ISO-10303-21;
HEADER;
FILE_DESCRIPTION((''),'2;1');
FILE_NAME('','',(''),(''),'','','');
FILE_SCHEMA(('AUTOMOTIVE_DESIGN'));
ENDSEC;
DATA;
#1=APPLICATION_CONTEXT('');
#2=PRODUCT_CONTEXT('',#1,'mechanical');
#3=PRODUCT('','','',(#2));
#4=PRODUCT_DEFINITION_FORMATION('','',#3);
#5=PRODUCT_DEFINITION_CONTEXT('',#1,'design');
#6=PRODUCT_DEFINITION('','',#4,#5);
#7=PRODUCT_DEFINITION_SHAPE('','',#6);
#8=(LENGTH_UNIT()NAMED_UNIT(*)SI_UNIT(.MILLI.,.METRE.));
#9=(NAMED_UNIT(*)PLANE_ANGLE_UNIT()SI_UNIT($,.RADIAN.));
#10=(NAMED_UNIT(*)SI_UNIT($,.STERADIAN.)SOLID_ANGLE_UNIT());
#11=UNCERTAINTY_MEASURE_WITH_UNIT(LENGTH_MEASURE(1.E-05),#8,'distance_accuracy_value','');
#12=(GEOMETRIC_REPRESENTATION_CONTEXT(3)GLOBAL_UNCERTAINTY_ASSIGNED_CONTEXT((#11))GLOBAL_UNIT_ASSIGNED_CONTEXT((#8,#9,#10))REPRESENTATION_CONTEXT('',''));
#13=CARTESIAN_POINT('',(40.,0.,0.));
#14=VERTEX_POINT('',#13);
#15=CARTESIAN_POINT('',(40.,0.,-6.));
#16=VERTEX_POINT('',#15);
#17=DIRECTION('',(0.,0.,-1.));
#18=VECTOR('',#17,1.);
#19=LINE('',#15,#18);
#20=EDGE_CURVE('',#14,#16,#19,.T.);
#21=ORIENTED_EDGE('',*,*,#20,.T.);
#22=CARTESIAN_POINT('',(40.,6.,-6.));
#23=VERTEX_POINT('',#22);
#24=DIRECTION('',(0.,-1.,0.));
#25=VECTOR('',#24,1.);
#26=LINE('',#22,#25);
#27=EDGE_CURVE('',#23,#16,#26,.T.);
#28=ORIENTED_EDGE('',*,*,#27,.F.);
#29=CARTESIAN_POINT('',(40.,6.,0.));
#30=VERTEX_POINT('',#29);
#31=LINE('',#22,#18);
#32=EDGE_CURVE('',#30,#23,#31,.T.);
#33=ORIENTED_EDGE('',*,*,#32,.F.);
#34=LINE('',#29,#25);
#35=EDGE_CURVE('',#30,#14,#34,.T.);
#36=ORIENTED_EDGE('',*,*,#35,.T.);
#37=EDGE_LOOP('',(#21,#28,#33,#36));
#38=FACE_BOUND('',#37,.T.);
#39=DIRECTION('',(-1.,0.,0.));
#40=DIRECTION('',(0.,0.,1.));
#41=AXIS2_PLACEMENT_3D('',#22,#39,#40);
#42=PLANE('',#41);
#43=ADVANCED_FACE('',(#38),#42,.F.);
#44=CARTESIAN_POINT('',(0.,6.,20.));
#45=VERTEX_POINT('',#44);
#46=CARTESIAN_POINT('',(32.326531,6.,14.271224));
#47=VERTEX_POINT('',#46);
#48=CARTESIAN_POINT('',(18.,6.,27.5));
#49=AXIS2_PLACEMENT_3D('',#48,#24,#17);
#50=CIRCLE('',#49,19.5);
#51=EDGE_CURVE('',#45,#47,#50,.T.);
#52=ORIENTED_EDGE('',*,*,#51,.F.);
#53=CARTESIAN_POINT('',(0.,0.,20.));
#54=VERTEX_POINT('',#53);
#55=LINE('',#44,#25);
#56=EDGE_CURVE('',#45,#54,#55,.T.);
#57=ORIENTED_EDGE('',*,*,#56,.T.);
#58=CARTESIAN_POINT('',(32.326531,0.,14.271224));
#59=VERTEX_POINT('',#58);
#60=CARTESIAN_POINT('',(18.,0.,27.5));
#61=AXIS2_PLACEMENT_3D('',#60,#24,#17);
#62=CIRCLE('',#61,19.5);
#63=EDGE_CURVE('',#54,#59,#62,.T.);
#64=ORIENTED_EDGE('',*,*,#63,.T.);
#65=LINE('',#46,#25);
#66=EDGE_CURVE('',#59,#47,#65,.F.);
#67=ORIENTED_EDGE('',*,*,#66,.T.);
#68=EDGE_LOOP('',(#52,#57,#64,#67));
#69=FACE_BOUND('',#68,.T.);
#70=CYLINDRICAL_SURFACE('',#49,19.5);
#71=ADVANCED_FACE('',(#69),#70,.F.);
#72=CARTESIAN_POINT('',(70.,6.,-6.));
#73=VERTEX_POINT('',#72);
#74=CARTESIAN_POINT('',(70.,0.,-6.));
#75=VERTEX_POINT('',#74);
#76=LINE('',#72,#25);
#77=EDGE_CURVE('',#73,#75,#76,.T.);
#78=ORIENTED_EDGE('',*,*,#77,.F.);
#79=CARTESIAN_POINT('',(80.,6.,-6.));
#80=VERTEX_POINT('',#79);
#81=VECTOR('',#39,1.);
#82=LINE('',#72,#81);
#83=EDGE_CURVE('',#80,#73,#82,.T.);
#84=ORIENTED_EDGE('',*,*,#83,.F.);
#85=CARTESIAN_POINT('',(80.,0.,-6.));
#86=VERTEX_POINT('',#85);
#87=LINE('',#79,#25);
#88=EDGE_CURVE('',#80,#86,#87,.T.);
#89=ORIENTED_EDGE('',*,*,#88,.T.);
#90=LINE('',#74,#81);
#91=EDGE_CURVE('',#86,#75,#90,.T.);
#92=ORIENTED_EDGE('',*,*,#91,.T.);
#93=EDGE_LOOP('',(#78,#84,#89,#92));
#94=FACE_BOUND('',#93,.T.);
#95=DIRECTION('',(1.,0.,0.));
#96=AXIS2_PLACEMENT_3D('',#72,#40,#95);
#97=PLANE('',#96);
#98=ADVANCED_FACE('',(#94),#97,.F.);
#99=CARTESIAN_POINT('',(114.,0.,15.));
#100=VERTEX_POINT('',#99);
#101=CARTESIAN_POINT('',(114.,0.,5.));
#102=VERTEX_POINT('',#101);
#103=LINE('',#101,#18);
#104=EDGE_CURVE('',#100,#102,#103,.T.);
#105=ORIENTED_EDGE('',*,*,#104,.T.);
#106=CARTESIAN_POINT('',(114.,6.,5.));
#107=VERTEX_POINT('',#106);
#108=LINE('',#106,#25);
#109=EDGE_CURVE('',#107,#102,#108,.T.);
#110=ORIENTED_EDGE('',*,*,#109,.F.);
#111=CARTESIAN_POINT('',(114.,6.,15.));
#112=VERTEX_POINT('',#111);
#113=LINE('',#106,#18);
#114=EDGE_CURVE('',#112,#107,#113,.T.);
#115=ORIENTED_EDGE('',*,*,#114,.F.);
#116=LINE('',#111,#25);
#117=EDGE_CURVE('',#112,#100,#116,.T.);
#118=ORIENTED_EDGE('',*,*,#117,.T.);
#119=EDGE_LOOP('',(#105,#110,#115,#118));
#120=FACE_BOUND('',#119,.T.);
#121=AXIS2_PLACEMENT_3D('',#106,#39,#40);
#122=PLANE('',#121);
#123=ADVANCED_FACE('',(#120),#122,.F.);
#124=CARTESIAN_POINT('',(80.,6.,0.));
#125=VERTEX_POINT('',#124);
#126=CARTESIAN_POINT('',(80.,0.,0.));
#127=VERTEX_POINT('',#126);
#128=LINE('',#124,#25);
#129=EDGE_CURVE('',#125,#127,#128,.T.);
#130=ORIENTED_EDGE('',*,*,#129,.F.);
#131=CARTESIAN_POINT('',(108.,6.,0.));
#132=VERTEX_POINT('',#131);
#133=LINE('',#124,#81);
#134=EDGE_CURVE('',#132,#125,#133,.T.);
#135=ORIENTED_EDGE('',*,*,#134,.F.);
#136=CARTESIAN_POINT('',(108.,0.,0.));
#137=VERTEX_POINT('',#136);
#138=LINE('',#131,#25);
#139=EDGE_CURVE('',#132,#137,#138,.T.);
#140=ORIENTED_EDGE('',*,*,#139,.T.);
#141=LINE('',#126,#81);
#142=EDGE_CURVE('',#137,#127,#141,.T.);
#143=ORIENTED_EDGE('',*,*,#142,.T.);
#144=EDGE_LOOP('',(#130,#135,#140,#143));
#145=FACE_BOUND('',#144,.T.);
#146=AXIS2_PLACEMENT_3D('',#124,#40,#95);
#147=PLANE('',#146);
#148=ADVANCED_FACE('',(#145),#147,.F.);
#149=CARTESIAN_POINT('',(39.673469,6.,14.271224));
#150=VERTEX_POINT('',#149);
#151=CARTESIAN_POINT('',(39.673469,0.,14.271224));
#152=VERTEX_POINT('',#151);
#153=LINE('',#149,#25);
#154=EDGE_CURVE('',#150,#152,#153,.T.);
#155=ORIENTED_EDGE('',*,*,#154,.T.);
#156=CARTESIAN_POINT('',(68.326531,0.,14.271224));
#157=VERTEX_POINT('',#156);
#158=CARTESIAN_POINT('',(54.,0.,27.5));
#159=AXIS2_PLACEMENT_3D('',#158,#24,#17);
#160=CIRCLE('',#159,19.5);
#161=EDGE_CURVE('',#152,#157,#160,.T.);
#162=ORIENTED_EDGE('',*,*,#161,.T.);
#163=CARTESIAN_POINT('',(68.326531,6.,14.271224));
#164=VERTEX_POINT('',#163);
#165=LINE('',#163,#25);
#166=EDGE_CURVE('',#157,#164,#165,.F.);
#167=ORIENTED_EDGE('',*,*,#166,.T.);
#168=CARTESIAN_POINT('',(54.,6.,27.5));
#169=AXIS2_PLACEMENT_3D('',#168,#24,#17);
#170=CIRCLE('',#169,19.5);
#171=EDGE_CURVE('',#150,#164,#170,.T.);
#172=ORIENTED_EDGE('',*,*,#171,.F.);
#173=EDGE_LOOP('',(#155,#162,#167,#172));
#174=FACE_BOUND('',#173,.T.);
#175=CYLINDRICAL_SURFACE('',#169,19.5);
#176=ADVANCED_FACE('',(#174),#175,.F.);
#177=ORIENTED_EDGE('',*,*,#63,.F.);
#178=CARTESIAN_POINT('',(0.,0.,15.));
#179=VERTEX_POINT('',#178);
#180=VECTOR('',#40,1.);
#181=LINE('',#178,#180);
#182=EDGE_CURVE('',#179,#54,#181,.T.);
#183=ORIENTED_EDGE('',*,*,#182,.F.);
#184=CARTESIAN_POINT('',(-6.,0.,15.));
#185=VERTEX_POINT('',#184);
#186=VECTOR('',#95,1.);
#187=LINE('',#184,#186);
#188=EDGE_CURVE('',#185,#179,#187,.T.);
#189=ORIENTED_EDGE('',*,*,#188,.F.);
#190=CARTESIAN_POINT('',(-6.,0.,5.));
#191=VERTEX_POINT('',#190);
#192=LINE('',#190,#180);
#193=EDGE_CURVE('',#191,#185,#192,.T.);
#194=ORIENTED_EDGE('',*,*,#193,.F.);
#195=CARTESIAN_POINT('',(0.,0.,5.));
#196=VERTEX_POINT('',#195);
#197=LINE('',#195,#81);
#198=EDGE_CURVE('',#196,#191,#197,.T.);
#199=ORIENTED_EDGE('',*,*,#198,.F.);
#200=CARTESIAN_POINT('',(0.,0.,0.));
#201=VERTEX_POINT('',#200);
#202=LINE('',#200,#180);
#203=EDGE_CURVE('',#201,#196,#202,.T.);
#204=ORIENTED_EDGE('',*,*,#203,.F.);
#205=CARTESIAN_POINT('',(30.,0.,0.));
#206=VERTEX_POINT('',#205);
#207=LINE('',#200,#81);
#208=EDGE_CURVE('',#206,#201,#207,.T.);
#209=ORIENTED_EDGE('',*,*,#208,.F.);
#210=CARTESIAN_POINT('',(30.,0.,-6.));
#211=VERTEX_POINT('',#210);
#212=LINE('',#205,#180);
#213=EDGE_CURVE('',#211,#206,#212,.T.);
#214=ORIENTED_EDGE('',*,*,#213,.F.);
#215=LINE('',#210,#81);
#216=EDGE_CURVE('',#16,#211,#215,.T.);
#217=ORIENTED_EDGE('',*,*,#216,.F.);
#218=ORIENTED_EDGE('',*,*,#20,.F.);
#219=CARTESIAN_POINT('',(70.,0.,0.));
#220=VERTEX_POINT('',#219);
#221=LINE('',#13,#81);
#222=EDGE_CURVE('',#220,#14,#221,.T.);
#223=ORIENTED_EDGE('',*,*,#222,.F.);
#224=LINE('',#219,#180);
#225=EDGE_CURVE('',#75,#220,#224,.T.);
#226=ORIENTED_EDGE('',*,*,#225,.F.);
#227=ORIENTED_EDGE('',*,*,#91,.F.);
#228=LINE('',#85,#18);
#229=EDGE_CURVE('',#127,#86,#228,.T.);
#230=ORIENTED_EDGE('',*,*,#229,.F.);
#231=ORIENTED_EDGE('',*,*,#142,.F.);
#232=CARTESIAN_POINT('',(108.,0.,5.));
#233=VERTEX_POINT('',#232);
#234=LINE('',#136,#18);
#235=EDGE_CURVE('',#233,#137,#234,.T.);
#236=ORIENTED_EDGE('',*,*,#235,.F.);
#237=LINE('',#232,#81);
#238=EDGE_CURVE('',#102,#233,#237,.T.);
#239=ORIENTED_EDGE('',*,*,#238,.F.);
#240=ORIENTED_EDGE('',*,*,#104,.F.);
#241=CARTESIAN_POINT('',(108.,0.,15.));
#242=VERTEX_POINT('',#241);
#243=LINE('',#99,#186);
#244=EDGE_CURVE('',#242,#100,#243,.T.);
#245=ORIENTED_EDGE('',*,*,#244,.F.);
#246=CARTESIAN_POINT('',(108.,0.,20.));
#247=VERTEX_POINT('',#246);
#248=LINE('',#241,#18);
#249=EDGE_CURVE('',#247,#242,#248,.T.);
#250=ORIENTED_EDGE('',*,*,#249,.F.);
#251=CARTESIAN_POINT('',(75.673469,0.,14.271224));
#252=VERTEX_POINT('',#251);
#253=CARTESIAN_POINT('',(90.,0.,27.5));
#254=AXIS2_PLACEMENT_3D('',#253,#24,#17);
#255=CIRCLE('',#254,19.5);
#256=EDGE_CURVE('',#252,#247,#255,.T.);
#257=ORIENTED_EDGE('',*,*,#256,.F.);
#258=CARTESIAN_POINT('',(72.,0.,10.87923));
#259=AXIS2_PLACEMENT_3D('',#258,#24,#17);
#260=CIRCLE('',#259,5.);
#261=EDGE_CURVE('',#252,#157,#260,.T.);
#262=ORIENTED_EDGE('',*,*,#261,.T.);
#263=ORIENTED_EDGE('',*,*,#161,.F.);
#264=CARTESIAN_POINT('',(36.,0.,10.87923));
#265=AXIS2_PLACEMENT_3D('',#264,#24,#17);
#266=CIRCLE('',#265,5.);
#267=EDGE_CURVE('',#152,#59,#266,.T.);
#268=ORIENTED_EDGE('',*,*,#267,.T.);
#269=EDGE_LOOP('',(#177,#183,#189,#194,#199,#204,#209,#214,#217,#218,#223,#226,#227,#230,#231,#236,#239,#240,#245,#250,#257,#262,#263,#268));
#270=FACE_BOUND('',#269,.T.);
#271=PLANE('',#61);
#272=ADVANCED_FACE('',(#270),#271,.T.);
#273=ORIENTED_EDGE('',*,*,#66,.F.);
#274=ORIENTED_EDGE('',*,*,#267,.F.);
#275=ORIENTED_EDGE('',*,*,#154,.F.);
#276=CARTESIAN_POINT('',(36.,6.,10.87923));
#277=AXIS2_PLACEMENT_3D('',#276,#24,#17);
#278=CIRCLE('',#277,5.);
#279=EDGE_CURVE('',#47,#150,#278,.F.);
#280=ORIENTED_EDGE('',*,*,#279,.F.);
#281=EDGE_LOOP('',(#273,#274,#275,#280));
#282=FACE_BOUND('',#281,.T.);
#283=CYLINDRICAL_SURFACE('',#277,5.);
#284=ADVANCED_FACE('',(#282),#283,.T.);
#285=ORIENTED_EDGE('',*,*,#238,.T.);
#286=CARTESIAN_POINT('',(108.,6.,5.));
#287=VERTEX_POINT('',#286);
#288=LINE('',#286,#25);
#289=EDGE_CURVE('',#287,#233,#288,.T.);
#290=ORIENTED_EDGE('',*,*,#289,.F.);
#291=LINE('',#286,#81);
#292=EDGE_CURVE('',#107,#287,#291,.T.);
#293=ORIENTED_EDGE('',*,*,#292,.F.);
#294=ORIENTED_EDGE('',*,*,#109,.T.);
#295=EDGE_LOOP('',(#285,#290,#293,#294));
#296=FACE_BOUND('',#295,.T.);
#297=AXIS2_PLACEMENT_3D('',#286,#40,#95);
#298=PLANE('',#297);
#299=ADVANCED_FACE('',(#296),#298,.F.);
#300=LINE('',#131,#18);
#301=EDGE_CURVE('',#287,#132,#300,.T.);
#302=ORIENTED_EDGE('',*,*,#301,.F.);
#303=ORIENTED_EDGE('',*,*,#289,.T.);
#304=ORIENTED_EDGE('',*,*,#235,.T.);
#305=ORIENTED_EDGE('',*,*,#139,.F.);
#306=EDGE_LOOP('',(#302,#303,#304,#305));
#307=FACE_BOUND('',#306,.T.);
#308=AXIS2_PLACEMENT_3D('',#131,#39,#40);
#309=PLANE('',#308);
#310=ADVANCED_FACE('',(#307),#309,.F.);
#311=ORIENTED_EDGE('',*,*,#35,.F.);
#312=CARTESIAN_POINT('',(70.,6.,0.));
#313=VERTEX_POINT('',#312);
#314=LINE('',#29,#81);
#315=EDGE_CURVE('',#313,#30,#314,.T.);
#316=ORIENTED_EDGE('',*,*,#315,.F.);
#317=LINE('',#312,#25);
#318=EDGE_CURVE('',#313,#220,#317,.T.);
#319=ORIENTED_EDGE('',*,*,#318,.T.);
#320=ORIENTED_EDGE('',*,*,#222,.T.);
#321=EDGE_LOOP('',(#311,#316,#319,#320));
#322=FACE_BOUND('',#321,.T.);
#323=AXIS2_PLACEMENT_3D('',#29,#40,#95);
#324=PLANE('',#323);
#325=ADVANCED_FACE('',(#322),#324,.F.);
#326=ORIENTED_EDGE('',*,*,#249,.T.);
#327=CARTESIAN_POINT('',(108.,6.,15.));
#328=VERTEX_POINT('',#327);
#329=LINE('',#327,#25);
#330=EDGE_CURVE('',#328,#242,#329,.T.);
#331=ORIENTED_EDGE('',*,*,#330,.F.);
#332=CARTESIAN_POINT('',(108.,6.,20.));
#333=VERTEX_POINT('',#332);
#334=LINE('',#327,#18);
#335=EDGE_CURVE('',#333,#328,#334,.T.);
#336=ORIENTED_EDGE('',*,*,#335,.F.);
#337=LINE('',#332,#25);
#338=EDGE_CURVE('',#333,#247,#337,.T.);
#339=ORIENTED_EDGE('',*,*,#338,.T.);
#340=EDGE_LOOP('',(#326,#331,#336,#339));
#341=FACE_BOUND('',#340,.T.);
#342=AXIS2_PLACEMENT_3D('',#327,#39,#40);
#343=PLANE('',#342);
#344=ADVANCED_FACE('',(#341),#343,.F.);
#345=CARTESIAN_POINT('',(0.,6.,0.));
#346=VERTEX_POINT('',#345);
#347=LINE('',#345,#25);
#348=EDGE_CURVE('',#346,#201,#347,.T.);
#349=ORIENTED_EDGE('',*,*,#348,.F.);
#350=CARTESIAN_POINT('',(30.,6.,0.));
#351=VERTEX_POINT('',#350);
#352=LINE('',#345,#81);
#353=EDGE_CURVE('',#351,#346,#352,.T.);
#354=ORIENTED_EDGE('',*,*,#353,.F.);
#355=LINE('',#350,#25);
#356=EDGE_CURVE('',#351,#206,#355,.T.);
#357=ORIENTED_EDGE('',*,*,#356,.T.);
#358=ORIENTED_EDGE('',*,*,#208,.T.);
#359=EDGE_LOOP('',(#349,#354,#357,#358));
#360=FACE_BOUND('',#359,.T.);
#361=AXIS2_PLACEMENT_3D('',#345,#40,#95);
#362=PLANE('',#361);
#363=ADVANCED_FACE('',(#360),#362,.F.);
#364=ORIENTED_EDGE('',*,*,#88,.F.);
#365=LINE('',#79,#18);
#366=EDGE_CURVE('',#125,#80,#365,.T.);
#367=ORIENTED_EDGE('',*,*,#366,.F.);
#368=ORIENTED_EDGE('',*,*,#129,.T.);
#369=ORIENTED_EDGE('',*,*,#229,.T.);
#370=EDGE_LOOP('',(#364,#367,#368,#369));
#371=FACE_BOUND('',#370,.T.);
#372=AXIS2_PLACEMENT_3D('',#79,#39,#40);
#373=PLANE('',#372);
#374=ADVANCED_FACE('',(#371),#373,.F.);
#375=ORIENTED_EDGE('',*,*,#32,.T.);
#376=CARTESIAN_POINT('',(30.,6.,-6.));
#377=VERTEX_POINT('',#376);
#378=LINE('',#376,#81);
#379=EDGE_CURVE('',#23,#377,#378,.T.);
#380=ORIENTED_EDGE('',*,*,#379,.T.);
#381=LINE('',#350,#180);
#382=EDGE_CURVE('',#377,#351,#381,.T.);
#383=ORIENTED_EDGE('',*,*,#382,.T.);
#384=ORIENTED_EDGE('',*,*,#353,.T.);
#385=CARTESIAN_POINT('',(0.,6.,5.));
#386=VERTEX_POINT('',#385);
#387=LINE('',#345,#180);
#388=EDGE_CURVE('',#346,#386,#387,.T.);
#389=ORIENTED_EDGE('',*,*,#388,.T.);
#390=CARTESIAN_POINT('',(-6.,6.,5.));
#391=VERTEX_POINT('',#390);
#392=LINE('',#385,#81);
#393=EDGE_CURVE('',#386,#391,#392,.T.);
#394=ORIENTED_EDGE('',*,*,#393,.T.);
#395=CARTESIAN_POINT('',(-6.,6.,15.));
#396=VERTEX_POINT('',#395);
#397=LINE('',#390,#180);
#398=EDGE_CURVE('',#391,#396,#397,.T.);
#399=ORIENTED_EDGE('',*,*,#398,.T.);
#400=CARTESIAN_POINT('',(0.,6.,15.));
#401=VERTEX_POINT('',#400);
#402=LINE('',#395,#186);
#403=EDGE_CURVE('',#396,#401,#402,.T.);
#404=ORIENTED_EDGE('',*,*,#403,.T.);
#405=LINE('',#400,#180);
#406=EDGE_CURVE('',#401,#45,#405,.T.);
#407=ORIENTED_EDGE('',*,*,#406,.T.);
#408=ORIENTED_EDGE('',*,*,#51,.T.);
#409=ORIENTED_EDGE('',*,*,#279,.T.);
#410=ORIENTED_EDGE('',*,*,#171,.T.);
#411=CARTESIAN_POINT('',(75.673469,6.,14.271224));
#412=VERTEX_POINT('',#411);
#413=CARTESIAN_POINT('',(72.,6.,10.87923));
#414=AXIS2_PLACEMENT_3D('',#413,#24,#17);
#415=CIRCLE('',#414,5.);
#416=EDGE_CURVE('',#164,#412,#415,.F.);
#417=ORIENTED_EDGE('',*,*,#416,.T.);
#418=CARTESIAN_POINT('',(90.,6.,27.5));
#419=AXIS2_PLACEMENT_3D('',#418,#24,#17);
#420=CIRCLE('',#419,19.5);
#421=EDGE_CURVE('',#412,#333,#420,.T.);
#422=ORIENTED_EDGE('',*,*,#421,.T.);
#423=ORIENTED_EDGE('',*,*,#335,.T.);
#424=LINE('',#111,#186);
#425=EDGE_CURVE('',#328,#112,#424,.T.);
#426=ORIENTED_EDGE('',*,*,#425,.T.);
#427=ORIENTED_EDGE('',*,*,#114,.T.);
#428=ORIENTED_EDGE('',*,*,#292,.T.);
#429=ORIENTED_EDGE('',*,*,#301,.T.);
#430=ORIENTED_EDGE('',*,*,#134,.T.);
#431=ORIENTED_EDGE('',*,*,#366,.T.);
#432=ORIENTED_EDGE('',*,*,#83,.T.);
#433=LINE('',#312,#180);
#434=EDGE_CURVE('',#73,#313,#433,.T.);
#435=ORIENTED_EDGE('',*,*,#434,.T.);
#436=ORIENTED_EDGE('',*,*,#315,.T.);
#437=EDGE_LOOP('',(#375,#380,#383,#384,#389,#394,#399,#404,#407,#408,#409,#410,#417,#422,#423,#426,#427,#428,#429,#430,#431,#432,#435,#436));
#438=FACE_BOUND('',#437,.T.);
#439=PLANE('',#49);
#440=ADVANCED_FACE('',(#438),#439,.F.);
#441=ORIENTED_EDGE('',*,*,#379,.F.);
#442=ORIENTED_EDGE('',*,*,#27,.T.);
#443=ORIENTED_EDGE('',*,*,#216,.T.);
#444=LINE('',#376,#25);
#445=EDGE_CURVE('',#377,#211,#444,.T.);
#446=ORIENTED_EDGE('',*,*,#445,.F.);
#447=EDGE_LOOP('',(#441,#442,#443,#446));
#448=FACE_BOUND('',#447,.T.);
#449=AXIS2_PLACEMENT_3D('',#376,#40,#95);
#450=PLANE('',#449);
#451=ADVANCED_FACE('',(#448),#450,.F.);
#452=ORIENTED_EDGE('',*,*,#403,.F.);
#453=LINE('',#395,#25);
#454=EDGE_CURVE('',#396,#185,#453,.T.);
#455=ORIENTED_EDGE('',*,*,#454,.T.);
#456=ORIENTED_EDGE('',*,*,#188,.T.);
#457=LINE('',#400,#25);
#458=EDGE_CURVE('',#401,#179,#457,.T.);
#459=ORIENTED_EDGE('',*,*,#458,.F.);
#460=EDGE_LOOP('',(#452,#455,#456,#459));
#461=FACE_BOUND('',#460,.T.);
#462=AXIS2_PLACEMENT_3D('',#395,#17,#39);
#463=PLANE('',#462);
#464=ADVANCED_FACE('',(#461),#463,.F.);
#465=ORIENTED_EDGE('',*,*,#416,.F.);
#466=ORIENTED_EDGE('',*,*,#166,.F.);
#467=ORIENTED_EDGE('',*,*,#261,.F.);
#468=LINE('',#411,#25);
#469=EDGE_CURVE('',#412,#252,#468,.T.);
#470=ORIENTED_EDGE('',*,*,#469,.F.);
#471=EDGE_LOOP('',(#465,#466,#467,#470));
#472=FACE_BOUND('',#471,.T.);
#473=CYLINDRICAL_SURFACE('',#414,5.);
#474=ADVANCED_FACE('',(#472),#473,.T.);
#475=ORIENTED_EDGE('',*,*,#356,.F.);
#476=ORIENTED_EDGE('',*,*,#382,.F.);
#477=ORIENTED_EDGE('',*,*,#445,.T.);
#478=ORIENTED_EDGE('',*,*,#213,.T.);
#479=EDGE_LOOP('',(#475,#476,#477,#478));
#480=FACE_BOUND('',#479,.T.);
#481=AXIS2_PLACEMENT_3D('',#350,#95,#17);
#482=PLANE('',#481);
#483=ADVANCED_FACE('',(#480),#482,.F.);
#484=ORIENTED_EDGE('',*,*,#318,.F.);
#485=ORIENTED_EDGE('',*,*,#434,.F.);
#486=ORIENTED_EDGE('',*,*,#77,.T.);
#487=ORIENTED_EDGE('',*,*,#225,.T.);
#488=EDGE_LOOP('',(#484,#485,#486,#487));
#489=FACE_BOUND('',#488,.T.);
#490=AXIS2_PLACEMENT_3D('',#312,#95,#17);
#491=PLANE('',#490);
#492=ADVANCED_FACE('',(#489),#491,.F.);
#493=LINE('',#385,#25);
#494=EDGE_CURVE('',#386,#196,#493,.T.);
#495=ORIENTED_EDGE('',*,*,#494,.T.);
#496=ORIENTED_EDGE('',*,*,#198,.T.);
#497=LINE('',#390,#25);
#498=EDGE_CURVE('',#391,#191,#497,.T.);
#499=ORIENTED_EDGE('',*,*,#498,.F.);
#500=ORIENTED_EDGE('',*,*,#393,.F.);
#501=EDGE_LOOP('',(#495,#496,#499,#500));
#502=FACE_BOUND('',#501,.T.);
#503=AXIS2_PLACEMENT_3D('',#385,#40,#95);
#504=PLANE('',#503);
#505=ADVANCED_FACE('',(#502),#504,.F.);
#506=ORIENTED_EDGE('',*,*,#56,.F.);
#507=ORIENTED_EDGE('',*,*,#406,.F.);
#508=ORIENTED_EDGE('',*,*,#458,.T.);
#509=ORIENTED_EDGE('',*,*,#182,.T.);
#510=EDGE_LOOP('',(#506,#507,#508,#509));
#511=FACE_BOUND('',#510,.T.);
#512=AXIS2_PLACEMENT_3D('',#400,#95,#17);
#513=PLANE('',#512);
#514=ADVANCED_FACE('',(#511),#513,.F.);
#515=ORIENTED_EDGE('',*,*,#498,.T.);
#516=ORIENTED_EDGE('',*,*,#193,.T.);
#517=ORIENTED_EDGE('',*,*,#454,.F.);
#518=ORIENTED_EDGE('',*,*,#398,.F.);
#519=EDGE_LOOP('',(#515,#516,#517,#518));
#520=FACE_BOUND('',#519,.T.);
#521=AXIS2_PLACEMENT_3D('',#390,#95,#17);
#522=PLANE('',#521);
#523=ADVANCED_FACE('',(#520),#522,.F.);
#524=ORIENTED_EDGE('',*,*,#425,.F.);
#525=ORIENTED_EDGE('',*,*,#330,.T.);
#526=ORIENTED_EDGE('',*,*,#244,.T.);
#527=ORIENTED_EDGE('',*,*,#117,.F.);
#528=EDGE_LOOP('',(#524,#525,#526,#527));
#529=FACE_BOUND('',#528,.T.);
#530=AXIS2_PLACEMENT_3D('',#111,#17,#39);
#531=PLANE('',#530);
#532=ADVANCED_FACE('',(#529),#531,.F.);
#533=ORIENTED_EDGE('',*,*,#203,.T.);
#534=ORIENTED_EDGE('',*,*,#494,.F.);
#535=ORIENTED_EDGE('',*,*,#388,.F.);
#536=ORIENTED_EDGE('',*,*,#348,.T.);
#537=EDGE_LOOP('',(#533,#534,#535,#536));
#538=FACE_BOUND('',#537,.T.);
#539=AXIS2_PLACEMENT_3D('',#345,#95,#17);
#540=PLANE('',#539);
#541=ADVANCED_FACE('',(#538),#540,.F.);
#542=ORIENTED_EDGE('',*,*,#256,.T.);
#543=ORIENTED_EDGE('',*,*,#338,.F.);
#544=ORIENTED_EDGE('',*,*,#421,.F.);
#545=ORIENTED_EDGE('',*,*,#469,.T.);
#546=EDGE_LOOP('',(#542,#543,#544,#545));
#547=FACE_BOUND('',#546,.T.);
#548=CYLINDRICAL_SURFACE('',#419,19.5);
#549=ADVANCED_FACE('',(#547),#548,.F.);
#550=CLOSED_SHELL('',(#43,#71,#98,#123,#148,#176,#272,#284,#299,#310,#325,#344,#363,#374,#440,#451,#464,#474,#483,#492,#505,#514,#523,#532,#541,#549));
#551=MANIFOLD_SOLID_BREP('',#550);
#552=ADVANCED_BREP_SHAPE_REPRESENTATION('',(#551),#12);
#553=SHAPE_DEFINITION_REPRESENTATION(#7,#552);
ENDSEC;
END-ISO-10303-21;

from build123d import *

# Parameters (mm, degrees)
BOSS_EXTRUDE1_DEPTH = 6
FILLET1_R           = 5


with BuildPart() as part:
    # Sketch1 → Boss-Extrude1 (new body)
    with BuildSketch(Plane(origin=(0, 0, 0), x_dir=(1, 0, 0), z_dir=(0, 1, 0))):
        with BuildLine():
            Line((0, 0), (30, 0))
            Line((30, 0), (30, 6))
            Line((30, 6), (40, 6))
            Line((40, 6), (40, 0))
            Line((40, 0), (70, 0))
            Line((70, 0), (70, 6))
            Line((70, 6), (80, 6))
            Line((80, 6), (80, 0))
            Line((80, 0), (108, 0))
            Line((108, 0), (108, -5))
            Line((108, -5), (114, -5))
            Line((114, -5), (114, -15))
            Line((114, -15), (108, -15))
            Line((108, -15), (108, -20))
            ThreePointArc((108, -20), (90, -8), (72, -20))
            ThreePointArc((72, -20), (54, -8), (36, -20))
            ThreePointArc((36, -20), (18, -8), (0, -20))
            Line((0, -20), (0, -15))
            Line((0, -15), (-6, -15))
            Line((-6, -15), (-6, -5))
            Line((-6, -5), (0, -5))
            Line((0, -5), (0, 0))
        make_face()
    extrude(amount=BOSS_EXTRUDE1_DEPTH)

    # Fillet1
    fillet1_edges = [part.edges().sort_by_distance(p)[0] for p in [
        (72, 3, 20),
        (36, 3, 20),
    ]]
    fillet(fillet1_edges, radius=FILLET1_R)


solid = part.part
